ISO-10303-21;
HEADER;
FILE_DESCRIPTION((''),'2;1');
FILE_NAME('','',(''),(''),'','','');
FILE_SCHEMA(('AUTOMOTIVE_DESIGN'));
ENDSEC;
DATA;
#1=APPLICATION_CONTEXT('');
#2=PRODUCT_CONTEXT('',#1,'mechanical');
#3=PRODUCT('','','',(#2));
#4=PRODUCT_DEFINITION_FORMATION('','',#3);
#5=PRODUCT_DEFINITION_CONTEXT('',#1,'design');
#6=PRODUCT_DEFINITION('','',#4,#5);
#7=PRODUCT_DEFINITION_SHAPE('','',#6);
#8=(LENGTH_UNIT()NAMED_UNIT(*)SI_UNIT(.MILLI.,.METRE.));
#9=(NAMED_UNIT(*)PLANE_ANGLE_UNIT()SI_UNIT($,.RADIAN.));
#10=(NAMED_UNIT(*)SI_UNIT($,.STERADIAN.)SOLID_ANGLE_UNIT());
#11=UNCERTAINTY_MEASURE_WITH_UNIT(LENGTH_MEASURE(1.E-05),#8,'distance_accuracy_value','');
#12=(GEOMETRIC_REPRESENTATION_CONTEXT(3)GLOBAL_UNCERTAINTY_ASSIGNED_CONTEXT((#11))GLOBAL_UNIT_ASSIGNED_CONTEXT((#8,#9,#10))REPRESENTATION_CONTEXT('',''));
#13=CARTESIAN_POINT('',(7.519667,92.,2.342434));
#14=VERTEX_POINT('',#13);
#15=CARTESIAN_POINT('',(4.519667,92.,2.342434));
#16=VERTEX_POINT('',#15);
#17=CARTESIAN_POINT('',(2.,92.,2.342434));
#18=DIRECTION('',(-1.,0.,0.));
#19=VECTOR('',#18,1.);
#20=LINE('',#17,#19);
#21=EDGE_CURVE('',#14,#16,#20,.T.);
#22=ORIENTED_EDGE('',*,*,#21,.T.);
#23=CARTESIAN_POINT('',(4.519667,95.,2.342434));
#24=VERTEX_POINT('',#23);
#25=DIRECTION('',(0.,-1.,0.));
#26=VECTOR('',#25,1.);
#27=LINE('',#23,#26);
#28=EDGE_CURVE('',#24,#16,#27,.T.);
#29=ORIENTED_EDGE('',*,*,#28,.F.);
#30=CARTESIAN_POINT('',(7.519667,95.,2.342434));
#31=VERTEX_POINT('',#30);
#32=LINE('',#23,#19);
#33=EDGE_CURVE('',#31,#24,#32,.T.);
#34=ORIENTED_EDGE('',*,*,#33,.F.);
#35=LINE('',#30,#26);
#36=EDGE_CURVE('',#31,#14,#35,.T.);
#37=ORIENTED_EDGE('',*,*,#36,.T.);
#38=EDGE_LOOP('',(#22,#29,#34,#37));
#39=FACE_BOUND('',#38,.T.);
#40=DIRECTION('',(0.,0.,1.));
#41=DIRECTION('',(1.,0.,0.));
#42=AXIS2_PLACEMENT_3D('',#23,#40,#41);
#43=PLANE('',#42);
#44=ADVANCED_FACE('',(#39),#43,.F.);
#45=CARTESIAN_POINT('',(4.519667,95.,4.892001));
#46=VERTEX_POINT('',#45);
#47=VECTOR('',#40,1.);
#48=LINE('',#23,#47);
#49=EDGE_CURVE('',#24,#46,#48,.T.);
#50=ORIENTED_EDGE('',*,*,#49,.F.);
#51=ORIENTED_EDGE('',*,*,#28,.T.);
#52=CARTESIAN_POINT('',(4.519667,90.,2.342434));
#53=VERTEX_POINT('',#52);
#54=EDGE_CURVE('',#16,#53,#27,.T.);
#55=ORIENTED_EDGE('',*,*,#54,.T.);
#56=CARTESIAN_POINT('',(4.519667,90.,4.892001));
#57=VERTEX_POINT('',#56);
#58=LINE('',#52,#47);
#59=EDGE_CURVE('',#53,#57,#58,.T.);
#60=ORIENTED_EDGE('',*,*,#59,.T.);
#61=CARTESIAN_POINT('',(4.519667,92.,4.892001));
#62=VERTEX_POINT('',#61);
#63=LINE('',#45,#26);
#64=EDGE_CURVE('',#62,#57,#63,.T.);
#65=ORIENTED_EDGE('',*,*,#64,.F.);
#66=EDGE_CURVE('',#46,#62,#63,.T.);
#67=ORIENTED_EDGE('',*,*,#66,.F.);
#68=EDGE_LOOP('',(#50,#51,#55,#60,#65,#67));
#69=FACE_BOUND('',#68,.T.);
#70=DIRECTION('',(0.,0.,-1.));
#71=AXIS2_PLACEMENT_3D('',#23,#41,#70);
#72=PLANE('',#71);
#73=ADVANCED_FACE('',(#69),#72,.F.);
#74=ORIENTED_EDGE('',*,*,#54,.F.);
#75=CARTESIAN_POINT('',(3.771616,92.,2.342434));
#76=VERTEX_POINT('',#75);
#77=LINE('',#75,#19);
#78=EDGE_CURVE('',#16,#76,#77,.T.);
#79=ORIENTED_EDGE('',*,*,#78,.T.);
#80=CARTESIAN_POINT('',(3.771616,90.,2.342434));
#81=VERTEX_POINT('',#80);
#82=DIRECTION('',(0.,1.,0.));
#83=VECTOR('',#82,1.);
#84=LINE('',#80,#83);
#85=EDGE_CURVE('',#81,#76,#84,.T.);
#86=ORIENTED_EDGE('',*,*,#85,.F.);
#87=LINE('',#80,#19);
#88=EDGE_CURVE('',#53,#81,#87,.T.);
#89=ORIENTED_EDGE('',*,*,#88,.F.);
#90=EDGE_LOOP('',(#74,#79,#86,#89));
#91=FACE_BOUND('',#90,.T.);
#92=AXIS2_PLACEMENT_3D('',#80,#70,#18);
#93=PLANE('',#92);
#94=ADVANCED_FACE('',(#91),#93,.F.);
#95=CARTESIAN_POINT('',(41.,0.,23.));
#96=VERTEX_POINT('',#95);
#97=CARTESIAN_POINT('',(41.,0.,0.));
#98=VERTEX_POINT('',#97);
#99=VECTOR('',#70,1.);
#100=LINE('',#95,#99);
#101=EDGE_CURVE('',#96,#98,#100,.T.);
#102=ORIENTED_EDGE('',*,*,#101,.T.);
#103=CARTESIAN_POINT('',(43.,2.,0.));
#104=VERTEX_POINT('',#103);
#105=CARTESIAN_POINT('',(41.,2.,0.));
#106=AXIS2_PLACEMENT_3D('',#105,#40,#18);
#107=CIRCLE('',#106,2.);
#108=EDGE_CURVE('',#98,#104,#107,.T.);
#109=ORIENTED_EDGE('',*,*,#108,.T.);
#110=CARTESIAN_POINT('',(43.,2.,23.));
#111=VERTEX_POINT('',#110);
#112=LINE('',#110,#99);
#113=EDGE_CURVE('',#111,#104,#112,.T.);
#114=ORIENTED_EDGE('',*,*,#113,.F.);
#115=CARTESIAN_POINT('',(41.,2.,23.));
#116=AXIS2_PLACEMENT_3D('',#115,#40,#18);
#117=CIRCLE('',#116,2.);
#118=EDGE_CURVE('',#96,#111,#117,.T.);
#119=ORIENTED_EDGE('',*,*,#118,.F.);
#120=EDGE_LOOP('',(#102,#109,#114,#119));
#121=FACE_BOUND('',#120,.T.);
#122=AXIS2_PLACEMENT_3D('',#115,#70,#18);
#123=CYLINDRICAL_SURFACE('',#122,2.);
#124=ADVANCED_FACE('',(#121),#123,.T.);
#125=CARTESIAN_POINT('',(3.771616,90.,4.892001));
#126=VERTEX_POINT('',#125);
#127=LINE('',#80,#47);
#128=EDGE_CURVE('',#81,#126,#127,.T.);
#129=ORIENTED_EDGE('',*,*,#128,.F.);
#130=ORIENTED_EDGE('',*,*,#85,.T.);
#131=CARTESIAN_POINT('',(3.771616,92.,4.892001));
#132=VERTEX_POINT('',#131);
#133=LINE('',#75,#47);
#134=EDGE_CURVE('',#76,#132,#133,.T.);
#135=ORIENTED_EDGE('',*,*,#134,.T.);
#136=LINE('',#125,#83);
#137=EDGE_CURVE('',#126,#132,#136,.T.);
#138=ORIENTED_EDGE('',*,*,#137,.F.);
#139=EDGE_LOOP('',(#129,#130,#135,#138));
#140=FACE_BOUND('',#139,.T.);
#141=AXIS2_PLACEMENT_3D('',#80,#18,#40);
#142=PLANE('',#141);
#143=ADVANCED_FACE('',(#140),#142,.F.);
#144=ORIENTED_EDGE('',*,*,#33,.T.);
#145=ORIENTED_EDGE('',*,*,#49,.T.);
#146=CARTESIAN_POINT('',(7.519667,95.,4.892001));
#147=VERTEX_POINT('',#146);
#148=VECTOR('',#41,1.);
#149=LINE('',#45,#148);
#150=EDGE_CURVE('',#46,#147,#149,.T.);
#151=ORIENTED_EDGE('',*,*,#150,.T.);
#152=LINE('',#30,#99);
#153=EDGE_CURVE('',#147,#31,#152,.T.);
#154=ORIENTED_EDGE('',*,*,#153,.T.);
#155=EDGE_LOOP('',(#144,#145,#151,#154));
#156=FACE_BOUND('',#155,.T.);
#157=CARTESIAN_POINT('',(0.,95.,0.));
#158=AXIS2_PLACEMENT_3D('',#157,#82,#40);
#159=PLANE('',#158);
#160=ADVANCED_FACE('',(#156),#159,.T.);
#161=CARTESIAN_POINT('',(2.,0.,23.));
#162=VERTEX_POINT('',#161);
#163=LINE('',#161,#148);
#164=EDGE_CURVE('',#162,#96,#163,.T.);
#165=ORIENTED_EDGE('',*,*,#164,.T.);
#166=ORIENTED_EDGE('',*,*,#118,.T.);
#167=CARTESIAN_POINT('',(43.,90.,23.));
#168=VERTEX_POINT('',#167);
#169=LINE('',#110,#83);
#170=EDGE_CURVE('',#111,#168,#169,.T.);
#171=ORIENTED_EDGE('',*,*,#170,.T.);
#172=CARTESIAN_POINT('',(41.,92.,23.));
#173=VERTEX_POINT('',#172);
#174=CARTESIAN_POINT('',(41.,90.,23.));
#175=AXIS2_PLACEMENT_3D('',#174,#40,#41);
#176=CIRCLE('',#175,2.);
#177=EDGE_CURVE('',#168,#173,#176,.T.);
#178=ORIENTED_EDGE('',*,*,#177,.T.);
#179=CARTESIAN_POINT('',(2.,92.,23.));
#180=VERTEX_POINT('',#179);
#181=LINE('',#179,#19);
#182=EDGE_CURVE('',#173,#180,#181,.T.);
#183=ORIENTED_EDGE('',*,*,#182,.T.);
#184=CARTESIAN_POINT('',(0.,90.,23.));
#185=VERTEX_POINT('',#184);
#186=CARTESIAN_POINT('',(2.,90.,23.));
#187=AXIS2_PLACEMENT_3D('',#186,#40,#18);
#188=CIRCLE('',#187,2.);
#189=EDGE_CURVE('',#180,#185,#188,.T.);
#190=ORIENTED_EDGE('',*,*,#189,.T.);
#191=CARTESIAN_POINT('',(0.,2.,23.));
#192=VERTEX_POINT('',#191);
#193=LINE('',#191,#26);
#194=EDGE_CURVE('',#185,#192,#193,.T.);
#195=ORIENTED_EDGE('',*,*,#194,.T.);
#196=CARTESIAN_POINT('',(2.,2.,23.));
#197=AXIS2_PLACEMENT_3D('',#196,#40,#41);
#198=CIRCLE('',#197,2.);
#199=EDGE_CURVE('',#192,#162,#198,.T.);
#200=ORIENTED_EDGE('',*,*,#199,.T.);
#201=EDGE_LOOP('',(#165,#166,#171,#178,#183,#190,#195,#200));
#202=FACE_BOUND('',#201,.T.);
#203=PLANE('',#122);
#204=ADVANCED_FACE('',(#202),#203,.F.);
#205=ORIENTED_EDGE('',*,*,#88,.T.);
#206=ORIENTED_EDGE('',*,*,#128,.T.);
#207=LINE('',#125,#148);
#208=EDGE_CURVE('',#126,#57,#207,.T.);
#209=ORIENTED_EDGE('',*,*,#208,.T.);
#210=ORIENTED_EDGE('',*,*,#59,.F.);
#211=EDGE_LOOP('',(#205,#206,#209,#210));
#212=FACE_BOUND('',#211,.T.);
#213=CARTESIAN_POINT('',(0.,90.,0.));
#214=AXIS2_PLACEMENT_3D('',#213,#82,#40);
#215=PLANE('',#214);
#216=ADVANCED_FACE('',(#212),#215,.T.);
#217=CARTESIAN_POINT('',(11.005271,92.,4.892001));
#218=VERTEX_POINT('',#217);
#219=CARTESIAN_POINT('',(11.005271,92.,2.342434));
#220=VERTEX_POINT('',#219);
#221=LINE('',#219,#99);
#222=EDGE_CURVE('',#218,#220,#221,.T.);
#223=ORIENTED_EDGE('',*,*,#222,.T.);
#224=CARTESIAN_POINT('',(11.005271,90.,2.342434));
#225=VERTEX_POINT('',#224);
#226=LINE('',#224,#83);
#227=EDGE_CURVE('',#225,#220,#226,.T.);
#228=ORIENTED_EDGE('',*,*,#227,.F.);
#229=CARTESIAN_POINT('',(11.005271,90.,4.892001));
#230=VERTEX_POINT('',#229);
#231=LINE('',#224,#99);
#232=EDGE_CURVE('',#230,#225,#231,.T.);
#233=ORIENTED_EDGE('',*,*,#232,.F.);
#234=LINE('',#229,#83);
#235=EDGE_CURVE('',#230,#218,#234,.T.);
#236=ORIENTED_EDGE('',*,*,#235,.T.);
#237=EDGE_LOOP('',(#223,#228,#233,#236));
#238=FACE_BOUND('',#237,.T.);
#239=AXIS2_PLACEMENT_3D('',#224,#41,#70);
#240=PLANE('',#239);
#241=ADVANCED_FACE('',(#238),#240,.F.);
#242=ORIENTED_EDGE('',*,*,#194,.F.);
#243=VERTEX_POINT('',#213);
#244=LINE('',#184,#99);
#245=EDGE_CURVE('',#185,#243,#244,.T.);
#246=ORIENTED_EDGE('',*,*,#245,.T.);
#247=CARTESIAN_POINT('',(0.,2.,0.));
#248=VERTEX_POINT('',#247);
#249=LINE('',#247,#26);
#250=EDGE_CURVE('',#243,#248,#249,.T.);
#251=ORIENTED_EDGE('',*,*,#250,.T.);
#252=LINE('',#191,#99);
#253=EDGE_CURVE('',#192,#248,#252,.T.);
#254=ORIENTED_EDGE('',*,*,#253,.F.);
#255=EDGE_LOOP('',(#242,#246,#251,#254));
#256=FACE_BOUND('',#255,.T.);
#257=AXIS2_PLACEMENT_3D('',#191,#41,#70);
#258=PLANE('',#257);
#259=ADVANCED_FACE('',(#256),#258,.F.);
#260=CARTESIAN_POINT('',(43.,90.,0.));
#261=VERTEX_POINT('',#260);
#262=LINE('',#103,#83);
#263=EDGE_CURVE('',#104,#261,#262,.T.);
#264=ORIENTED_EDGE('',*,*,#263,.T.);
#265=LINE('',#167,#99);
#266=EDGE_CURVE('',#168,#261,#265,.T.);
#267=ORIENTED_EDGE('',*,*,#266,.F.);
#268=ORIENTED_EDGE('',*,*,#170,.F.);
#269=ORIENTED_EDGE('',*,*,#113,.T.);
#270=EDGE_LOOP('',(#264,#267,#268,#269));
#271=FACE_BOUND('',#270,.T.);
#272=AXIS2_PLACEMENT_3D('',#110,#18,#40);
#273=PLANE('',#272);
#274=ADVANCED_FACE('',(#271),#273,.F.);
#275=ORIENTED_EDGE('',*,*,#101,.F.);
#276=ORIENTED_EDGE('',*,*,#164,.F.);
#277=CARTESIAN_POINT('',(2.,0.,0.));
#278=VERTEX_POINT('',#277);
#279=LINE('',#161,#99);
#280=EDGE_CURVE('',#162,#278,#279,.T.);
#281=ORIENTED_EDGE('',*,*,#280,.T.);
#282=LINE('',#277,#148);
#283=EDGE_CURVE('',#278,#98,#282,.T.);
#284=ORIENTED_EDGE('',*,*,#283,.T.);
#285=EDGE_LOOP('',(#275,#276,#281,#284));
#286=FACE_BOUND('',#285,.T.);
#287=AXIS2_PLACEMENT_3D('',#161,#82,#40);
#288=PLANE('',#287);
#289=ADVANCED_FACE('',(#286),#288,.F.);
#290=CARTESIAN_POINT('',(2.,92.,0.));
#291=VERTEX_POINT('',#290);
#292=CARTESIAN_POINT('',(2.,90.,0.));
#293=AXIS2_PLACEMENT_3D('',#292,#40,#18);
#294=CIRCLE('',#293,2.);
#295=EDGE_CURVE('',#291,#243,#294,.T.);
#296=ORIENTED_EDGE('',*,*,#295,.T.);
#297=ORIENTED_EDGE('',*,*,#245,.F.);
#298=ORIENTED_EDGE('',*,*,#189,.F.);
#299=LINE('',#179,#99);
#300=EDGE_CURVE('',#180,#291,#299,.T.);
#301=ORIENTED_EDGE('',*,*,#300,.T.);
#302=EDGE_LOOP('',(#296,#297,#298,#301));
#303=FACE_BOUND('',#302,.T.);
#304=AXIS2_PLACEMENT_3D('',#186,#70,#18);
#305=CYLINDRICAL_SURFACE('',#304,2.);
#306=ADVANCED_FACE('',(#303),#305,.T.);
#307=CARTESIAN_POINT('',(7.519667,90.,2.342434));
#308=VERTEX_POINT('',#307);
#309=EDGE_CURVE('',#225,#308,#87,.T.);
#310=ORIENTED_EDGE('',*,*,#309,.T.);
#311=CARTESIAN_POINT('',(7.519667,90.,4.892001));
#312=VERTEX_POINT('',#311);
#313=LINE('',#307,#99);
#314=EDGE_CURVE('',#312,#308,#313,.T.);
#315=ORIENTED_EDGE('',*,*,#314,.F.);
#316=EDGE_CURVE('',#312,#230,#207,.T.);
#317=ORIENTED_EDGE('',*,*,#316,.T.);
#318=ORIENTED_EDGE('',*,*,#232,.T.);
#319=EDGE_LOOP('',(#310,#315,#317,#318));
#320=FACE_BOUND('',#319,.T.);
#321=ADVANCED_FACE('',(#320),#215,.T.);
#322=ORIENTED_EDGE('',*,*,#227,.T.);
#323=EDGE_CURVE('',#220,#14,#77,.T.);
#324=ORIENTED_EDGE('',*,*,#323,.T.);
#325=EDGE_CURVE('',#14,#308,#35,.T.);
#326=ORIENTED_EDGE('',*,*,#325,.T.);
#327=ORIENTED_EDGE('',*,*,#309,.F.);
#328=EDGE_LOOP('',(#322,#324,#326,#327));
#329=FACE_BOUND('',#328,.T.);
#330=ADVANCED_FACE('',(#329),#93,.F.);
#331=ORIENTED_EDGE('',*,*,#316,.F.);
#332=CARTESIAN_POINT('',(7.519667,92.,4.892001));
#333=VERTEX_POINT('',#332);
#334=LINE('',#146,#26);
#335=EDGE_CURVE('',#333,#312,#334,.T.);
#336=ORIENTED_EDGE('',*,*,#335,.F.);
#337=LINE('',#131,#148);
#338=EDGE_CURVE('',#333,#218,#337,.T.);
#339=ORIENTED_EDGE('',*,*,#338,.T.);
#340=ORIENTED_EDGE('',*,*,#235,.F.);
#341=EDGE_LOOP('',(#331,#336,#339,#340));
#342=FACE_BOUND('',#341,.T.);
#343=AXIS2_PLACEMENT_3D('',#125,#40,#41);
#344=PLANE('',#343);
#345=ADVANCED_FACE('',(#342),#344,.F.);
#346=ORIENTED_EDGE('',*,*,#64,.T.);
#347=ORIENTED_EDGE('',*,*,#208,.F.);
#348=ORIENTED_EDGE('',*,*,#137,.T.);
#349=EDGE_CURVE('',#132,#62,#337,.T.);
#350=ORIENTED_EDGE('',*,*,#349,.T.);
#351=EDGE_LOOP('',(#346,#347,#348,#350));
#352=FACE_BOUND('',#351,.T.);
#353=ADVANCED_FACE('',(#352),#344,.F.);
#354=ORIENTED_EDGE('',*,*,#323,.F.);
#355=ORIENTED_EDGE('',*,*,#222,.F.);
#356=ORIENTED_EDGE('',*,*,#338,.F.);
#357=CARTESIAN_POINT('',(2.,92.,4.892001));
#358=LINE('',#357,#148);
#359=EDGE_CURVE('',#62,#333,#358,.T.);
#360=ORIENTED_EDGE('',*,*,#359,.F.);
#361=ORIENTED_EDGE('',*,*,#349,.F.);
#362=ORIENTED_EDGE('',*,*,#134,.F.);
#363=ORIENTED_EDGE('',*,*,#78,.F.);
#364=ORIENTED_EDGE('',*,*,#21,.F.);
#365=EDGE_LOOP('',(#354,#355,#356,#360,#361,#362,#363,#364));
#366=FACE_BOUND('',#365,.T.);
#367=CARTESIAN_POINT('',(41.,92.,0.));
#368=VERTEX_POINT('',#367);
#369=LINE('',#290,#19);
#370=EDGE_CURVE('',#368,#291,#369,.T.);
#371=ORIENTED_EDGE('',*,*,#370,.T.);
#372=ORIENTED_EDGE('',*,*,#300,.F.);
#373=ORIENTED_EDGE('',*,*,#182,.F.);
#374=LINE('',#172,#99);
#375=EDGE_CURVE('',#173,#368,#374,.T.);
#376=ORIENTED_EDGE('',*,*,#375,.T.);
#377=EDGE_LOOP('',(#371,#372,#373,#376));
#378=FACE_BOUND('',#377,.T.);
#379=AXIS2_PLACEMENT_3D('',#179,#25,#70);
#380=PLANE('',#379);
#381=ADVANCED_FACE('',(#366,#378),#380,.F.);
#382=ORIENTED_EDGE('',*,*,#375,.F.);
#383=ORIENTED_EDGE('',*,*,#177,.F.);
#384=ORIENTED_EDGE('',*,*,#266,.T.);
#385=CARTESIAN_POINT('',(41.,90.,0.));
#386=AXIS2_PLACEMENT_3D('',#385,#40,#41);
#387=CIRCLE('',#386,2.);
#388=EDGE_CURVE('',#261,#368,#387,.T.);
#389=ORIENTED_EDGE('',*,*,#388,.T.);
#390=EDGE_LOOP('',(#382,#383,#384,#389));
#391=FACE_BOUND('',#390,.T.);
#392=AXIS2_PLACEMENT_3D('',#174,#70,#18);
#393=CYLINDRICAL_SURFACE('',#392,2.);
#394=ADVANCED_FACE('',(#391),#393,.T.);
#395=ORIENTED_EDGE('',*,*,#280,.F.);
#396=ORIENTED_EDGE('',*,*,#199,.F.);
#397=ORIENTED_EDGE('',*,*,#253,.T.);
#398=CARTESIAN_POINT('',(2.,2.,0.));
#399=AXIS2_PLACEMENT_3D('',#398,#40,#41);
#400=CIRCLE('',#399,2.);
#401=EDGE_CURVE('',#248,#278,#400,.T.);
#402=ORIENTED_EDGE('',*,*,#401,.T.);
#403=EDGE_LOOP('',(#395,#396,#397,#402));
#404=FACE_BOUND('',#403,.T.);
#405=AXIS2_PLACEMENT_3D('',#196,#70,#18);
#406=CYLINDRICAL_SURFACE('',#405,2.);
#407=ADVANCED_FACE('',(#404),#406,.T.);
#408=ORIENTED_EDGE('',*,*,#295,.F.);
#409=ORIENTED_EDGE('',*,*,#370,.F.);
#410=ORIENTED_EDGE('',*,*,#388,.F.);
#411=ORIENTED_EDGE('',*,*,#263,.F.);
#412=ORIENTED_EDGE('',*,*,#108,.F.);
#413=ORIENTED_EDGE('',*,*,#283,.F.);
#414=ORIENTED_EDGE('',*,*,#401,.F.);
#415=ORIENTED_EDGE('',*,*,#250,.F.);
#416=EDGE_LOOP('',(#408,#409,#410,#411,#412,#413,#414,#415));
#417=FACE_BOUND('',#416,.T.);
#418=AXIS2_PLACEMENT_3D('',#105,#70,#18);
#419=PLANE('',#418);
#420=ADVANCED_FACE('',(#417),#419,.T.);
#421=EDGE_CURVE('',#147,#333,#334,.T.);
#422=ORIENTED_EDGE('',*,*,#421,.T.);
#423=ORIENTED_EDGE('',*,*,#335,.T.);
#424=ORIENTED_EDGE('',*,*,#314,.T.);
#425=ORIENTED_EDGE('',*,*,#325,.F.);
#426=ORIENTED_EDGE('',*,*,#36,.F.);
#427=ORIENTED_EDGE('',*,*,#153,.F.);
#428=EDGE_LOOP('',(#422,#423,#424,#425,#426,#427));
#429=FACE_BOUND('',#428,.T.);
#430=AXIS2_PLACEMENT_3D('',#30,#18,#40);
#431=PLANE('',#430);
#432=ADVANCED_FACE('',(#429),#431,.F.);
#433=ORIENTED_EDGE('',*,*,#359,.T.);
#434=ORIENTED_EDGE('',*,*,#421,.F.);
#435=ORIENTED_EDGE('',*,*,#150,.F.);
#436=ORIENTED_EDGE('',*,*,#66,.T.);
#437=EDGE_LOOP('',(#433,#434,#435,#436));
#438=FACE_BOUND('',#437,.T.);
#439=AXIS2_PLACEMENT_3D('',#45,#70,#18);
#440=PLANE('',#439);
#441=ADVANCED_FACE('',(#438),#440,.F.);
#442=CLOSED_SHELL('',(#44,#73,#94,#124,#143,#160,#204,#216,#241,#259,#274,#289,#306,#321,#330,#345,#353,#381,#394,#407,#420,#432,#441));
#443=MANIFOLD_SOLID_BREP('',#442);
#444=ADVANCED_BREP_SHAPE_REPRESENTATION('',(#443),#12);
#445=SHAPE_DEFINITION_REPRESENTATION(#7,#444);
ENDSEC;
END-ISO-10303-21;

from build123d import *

# Parameters (mm, degrees)
BOSS_EXTRUDE1_DEPTH = 23
SKETCH2_W           = 7.233654816
SKETCH2_H           = 2.549566861
CUT_EXTRUDE1_DEPTH  = 2
SKETCH3_W           = 3
SKETCH3_H           = 2.549566861
BOSS_EXTRUDE2_DEPTH = 5


with BuildPart() as part:
    # Sketch1 → Boss-Extrude1 (new body)
    with BuildSketch(Plane.XY):
        with BuildLine():
            Line((2, 0), (41, 0))
            ThreePointArc((41, 0), (42.414213562, 0.585786438), (43, 2))
            Line((43, 2), (43, 90))
            ThreePointArc((43, 90), (42.414213562, 91.414213562), (41, 92))
            Line((41, 92), (2, 92))
            ThreePointArc((2, 92), (0.585786438, 91.414213562), (0, 90))
            Line((0, 90), (0, 2))
            ThreePointArc((0, 2), (0.585786438, 0.585786438), (2, 0))
        make_face()
    extrude(amount=BOSS_EXTRUDE1_DEPTH)

    # Sketch2 → Cut-Extrude1 (cut)
    with BuildSketch(Plane(origin=(0, 92, 0), x_dir=(1, 0, 0), z_dir=(0, 1, 0))):
        with Locations((7.388443885, -3.61721714)):
            Rectangle(SKETCH2_W, SKETCH2_H)
    extrude(amount=-CUT_EXTRUDE1_DEPTH, mode=Mode.SUBTRACT)

    # Sketch3 → Boss-Extrude2 (add)
    with BuildSketch(Plane(origin=(0, 90, 0), x_dir=(1, 0, 0), z_dir=(0, 1, 0))):
        with Locations((6.019667475, -3.61721714)):
            Rectangle(SKETCH3_W, SKETCH3_H)
    extrude(amount=BOSS_EXTRUDE2_DEPTH)


solid = part.part
